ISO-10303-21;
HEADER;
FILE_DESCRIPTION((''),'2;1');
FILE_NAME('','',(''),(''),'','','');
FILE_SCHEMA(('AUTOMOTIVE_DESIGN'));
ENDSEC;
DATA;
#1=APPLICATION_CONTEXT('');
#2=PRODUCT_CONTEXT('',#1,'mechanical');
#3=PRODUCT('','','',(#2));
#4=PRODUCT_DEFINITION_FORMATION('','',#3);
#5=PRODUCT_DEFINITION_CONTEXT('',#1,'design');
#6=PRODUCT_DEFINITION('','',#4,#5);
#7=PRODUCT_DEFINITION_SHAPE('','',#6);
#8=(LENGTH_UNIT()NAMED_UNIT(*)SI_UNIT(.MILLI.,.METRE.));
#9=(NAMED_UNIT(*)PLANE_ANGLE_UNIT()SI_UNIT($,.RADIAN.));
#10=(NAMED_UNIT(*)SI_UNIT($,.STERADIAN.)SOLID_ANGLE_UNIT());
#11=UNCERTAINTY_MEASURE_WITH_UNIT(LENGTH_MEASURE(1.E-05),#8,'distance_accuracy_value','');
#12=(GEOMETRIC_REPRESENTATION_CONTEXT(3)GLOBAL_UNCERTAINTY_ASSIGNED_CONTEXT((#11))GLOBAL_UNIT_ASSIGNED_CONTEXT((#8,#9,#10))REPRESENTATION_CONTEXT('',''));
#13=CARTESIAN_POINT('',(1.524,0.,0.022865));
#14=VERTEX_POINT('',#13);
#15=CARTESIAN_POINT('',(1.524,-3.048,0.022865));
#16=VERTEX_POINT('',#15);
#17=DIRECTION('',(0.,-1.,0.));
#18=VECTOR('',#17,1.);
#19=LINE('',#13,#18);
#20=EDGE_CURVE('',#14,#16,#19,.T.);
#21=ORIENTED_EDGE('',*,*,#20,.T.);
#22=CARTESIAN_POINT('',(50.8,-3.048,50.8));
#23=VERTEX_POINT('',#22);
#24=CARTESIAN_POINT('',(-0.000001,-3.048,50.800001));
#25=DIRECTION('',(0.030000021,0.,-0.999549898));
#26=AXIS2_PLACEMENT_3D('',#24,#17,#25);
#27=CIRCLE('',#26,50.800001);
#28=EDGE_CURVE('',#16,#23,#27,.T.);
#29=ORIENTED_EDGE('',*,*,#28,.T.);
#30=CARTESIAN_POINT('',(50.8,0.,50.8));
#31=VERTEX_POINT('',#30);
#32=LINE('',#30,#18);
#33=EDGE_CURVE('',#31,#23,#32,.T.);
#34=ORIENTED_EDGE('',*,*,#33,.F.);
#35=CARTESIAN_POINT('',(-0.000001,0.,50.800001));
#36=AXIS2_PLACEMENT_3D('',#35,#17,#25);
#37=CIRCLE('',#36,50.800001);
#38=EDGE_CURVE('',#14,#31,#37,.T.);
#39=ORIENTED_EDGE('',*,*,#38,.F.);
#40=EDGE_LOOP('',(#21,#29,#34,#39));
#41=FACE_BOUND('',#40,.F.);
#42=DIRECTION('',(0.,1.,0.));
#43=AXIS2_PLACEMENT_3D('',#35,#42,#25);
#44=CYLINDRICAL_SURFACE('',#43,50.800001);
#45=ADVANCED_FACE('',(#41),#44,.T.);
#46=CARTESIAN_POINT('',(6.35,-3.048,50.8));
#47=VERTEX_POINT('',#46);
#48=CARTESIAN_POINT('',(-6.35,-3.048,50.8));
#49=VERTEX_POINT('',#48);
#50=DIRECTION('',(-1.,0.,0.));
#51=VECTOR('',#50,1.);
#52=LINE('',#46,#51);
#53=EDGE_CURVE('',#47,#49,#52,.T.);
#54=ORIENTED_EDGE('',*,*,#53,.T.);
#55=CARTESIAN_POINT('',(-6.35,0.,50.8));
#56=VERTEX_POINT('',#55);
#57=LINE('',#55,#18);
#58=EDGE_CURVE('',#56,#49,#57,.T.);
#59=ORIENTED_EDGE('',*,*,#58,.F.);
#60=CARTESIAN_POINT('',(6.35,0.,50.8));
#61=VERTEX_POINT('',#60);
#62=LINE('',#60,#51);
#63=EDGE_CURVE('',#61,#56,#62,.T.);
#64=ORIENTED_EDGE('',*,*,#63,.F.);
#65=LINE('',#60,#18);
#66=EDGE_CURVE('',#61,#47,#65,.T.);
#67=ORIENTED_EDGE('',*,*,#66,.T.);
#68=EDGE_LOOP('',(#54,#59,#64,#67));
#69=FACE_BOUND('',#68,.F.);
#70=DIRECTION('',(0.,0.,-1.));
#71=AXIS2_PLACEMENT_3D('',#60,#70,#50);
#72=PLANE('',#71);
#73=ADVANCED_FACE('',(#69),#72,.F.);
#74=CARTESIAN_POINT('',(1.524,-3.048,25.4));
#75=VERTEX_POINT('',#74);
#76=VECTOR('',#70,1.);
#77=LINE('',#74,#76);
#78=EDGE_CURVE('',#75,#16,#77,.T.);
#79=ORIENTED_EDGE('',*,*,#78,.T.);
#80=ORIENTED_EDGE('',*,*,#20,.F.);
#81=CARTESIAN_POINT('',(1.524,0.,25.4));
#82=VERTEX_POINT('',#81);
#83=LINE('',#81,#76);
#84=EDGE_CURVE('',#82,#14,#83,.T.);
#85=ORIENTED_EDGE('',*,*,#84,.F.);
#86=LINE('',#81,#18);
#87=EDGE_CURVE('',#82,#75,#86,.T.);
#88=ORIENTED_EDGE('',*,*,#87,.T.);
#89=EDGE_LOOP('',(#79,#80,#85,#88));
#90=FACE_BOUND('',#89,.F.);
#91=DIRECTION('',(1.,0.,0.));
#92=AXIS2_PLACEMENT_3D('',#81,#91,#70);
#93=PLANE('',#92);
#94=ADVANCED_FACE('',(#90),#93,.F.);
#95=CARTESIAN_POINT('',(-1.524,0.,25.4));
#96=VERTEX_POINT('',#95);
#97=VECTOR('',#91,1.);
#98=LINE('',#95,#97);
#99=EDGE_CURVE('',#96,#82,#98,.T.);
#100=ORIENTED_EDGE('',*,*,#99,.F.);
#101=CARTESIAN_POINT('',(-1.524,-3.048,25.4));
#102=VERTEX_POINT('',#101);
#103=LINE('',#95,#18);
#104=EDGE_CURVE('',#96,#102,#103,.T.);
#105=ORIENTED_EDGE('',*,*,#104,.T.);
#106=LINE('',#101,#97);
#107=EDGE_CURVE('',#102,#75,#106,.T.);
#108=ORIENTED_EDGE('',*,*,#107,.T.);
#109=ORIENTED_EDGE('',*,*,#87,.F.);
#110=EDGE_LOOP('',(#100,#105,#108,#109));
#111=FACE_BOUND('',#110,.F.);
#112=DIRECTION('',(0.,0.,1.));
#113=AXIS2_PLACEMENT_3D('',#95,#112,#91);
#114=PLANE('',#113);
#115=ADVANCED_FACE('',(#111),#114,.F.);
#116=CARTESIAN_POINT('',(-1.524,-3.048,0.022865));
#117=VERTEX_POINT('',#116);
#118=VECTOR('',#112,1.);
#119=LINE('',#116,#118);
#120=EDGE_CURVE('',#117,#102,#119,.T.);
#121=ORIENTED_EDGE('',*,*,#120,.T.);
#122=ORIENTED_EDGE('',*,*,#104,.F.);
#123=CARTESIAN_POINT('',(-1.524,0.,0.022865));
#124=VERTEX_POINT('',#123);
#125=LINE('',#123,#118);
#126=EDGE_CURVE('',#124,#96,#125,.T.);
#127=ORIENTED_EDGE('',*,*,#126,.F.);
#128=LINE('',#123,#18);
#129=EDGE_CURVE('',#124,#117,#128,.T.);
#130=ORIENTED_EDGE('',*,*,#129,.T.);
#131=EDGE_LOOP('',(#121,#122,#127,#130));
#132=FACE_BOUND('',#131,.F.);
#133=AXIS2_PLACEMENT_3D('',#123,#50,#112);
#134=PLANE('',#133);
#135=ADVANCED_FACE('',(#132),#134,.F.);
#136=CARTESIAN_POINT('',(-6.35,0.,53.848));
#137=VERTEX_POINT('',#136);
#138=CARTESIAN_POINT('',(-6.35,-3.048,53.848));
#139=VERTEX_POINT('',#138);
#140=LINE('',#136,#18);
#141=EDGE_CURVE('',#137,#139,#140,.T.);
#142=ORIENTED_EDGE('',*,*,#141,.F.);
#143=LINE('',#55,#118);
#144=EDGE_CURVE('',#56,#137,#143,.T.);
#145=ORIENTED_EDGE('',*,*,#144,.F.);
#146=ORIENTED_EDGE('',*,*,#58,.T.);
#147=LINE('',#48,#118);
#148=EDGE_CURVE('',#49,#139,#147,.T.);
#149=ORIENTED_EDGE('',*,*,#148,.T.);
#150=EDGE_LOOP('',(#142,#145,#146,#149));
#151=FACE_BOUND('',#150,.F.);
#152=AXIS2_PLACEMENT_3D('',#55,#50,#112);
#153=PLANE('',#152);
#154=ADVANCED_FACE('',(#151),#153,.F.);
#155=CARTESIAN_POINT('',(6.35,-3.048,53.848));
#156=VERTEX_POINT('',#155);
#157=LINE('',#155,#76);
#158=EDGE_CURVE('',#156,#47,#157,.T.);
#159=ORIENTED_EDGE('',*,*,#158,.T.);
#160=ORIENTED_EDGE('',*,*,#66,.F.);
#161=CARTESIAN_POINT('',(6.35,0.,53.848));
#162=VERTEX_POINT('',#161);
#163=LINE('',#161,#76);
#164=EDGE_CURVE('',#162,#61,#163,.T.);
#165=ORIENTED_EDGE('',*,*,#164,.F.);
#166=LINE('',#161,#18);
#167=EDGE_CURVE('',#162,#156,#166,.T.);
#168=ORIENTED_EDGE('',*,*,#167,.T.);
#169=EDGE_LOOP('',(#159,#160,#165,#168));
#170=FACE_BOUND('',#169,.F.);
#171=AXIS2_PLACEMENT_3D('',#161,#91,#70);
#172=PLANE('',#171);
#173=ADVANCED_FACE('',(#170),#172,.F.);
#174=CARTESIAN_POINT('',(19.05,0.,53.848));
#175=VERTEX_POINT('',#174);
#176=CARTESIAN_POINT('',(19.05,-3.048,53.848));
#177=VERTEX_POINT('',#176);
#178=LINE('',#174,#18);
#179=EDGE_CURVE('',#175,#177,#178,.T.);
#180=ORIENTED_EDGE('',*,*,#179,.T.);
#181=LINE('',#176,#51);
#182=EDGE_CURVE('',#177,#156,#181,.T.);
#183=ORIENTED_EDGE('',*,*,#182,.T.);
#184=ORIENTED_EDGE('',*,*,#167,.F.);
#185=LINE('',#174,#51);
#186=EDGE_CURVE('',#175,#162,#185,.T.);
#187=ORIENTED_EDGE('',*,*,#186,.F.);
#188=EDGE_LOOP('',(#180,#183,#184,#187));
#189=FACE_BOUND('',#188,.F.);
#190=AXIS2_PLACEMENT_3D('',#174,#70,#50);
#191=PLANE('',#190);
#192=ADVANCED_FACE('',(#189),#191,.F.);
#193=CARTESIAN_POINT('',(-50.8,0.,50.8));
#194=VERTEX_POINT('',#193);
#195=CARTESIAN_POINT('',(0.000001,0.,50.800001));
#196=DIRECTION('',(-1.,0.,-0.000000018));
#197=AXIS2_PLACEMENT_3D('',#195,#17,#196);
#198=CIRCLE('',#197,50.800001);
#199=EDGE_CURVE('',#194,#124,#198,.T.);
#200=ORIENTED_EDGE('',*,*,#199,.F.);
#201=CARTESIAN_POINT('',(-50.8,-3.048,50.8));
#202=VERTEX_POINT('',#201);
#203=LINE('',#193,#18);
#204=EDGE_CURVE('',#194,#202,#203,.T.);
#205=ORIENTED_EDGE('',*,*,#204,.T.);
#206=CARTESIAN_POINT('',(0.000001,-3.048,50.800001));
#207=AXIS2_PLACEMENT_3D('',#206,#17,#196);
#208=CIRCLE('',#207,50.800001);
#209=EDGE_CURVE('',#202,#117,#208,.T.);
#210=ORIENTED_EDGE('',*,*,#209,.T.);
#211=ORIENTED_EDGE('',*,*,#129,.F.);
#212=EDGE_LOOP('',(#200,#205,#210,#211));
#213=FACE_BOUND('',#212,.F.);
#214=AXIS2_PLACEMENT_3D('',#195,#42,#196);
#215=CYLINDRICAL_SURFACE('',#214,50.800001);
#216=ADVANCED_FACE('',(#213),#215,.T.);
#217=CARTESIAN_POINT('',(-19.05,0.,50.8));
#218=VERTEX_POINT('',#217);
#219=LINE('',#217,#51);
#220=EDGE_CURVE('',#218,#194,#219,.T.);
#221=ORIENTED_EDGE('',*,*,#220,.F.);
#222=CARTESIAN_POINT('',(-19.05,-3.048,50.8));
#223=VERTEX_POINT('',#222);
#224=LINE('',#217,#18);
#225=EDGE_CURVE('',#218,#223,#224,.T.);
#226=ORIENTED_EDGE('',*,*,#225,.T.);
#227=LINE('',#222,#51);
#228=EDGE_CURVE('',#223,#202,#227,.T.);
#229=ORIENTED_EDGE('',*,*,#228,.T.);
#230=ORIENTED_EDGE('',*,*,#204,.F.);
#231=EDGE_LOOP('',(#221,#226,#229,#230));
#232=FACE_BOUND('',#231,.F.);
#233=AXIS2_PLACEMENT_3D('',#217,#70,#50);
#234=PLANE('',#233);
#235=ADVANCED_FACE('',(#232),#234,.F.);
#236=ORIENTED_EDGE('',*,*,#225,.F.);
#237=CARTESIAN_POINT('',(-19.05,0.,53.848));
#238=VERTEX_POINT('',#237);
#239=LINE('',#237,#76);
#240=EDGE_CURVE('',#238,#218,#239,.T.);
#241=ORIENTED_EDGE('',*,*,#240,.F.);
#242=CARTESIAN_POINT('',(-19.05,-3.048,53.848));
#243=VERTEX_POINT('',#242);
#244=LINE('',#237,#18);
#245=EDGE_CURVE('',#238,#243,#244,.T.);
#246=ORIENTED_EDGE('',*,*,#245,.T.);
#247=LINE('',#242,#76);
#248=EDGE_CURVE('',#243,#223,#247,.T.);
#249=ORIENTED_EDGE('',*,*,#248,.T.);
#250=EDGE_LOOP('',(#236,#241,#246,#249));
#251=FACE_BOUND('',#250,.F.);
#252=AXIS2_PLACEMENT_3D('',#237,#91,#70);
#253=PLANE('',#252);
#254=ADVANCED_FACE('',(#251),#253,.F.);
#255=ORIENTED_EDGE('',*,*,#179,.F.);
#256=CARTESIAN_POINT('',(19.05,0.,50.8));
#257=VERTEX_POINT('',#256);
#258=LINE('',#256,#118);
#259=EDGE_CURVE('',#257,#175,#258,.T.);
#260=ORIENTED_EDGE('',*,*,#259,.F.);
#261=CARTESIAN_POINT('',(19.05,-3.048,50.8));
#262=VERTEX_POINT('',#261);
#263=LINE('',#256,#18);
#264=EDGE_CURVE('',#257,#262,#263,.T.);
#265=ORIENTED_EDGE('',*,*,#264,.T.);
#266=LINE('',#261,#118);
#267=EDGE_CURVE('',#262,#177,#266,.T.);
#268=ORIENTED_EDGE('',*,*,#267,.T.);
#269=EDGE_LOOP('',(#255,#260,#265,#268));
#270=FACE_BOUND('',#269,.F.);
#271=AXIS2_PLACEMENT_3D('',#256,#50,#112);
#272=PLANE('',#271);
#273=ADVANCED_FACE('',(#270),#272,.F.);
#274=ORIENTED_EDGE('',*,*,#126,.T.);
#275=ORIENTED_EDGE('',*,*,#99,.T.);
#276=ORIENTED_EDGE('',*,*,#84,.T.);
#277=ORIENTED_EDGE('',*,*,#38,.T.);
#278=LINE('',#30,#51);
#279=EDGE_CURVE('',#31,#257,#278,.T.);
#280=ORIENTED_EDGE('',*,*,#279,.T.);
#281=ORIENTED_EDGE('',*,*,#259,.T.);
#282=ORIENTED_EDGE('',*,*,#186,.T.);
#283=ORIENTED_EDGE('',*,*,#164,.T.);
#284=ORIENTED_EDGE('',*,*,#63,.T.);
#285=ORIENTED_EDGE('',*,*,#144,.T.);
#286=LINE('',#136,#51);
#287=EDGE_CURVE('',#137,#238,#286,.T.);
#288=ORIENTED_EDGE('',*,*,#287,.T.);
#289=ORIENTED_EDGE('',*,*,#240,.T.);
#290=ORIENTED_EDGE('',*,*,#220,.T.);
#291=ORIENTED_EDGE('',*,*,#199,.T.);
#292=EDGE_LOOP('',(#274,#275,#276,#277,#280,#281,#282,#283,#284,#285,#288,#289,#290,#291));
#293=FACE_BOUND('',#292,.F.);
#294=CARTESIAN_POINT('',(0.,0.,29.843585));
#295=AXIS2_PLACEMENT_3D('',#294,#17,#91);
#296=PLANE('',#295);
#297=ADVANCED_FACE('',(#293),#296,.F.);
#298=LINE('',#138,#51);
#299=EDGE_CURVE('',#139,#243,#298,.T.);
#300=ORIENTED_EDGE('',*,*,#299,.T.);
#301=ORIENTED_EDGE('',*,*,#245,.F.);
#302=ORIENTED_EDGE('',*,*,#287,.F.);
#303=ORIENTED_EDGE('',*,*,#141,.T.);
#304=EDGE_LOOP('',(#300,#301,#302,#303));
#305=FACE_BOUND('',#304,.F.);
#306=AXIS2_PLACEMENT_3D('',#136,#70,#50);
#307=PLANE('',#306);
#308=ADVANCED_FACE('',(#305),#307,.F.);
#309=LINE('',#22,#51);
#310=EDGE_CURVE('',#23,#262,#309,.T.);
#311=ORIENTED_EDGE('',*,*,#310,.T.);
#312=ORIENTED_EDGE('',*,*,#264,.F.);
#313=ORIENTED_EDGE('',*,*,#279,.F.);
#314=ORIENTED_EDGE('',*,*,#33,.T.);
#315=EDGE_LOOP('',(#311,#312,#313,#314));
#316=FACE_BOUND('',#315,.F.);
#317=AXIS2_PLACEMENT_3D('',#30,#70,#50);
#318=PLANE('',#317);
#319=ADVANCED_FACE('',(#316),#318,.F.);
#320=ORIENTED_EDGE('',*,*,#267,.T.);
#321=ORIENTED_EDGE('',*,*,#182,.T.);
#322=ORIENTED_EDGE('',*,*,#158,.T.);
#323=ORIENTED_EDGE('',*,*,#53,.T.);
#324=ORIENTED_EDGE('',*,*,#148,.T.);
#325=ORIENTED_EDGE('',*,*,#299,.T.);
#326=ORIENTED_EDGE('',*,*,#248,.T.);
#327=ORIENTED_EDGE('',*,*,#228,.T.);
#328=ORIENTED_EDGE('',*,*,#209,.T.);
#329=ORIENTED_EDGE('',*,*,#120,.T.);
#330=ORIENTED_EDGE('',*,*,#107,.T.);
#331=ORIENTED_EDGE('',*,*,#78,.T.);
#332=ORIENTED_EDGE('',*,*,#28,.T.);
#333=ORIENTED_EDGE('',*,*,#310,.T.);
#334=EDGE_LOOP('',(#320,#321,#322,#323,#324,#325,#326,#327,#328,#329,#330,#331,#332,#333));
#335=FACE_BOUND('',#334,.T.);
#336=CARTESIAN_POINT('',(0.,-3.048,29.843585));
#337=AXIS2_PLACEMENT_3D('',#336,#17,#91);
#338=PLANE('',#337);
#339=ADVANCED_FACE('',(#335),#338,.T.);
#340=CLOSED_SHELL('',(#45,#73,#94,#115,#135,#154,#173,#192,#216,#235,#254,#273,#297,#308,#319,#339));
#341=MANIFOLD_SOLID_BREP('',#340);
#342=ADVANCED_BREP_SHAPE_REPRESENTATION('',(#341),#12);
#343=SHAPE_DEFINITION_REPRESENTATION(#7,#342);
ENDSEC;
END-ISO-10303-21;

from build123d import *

# Parameters (mm, degrees)
F1_DEPTH = 3.048


with BuildPart() as f1:
    # F0 (on Front) → F1 (new body)
    with BuildSketch(Plane.XZ):
        with BuildLine():
            Line((-19.05, 50.8), (-50.8, 50.8))
            ThreePointArc((-50.8, 50.8), (-36.455858, 15.421894), (-1.524, 0.022865))
            Line((-1.524, 0.022865), (-1.524, 25.4))
            Line((-1.524, 25.4), (1.524, 25.4))
            Line((1.524, 25.4), (1.524, 0.022865))
            ThreePointArc((1.524, 0.022865), (36.455858, 15.421894), (50.8, 50.8))
            Line((50.8, 50.8), (19.05, 50.8))
            Line((19.05, 50.8), (19.05, 53.848))
            Line((19.05, 53.848), (6.35, 53.848))
            Line((6.35, 53.848), (6.35, 50.8))
            Line((6.35, 50.8), (-6.35, 50.8))
            Line((-6.35, 50.8), (-6.35, 53.848))
            Line((-6.35, 53.848), (-19.05, 53.848))
            Line((-19.05, 53.848), (-19.05, 50.8))
        make_face()
    extrude(amount=F1_DEPTH)


solid = f1.part
